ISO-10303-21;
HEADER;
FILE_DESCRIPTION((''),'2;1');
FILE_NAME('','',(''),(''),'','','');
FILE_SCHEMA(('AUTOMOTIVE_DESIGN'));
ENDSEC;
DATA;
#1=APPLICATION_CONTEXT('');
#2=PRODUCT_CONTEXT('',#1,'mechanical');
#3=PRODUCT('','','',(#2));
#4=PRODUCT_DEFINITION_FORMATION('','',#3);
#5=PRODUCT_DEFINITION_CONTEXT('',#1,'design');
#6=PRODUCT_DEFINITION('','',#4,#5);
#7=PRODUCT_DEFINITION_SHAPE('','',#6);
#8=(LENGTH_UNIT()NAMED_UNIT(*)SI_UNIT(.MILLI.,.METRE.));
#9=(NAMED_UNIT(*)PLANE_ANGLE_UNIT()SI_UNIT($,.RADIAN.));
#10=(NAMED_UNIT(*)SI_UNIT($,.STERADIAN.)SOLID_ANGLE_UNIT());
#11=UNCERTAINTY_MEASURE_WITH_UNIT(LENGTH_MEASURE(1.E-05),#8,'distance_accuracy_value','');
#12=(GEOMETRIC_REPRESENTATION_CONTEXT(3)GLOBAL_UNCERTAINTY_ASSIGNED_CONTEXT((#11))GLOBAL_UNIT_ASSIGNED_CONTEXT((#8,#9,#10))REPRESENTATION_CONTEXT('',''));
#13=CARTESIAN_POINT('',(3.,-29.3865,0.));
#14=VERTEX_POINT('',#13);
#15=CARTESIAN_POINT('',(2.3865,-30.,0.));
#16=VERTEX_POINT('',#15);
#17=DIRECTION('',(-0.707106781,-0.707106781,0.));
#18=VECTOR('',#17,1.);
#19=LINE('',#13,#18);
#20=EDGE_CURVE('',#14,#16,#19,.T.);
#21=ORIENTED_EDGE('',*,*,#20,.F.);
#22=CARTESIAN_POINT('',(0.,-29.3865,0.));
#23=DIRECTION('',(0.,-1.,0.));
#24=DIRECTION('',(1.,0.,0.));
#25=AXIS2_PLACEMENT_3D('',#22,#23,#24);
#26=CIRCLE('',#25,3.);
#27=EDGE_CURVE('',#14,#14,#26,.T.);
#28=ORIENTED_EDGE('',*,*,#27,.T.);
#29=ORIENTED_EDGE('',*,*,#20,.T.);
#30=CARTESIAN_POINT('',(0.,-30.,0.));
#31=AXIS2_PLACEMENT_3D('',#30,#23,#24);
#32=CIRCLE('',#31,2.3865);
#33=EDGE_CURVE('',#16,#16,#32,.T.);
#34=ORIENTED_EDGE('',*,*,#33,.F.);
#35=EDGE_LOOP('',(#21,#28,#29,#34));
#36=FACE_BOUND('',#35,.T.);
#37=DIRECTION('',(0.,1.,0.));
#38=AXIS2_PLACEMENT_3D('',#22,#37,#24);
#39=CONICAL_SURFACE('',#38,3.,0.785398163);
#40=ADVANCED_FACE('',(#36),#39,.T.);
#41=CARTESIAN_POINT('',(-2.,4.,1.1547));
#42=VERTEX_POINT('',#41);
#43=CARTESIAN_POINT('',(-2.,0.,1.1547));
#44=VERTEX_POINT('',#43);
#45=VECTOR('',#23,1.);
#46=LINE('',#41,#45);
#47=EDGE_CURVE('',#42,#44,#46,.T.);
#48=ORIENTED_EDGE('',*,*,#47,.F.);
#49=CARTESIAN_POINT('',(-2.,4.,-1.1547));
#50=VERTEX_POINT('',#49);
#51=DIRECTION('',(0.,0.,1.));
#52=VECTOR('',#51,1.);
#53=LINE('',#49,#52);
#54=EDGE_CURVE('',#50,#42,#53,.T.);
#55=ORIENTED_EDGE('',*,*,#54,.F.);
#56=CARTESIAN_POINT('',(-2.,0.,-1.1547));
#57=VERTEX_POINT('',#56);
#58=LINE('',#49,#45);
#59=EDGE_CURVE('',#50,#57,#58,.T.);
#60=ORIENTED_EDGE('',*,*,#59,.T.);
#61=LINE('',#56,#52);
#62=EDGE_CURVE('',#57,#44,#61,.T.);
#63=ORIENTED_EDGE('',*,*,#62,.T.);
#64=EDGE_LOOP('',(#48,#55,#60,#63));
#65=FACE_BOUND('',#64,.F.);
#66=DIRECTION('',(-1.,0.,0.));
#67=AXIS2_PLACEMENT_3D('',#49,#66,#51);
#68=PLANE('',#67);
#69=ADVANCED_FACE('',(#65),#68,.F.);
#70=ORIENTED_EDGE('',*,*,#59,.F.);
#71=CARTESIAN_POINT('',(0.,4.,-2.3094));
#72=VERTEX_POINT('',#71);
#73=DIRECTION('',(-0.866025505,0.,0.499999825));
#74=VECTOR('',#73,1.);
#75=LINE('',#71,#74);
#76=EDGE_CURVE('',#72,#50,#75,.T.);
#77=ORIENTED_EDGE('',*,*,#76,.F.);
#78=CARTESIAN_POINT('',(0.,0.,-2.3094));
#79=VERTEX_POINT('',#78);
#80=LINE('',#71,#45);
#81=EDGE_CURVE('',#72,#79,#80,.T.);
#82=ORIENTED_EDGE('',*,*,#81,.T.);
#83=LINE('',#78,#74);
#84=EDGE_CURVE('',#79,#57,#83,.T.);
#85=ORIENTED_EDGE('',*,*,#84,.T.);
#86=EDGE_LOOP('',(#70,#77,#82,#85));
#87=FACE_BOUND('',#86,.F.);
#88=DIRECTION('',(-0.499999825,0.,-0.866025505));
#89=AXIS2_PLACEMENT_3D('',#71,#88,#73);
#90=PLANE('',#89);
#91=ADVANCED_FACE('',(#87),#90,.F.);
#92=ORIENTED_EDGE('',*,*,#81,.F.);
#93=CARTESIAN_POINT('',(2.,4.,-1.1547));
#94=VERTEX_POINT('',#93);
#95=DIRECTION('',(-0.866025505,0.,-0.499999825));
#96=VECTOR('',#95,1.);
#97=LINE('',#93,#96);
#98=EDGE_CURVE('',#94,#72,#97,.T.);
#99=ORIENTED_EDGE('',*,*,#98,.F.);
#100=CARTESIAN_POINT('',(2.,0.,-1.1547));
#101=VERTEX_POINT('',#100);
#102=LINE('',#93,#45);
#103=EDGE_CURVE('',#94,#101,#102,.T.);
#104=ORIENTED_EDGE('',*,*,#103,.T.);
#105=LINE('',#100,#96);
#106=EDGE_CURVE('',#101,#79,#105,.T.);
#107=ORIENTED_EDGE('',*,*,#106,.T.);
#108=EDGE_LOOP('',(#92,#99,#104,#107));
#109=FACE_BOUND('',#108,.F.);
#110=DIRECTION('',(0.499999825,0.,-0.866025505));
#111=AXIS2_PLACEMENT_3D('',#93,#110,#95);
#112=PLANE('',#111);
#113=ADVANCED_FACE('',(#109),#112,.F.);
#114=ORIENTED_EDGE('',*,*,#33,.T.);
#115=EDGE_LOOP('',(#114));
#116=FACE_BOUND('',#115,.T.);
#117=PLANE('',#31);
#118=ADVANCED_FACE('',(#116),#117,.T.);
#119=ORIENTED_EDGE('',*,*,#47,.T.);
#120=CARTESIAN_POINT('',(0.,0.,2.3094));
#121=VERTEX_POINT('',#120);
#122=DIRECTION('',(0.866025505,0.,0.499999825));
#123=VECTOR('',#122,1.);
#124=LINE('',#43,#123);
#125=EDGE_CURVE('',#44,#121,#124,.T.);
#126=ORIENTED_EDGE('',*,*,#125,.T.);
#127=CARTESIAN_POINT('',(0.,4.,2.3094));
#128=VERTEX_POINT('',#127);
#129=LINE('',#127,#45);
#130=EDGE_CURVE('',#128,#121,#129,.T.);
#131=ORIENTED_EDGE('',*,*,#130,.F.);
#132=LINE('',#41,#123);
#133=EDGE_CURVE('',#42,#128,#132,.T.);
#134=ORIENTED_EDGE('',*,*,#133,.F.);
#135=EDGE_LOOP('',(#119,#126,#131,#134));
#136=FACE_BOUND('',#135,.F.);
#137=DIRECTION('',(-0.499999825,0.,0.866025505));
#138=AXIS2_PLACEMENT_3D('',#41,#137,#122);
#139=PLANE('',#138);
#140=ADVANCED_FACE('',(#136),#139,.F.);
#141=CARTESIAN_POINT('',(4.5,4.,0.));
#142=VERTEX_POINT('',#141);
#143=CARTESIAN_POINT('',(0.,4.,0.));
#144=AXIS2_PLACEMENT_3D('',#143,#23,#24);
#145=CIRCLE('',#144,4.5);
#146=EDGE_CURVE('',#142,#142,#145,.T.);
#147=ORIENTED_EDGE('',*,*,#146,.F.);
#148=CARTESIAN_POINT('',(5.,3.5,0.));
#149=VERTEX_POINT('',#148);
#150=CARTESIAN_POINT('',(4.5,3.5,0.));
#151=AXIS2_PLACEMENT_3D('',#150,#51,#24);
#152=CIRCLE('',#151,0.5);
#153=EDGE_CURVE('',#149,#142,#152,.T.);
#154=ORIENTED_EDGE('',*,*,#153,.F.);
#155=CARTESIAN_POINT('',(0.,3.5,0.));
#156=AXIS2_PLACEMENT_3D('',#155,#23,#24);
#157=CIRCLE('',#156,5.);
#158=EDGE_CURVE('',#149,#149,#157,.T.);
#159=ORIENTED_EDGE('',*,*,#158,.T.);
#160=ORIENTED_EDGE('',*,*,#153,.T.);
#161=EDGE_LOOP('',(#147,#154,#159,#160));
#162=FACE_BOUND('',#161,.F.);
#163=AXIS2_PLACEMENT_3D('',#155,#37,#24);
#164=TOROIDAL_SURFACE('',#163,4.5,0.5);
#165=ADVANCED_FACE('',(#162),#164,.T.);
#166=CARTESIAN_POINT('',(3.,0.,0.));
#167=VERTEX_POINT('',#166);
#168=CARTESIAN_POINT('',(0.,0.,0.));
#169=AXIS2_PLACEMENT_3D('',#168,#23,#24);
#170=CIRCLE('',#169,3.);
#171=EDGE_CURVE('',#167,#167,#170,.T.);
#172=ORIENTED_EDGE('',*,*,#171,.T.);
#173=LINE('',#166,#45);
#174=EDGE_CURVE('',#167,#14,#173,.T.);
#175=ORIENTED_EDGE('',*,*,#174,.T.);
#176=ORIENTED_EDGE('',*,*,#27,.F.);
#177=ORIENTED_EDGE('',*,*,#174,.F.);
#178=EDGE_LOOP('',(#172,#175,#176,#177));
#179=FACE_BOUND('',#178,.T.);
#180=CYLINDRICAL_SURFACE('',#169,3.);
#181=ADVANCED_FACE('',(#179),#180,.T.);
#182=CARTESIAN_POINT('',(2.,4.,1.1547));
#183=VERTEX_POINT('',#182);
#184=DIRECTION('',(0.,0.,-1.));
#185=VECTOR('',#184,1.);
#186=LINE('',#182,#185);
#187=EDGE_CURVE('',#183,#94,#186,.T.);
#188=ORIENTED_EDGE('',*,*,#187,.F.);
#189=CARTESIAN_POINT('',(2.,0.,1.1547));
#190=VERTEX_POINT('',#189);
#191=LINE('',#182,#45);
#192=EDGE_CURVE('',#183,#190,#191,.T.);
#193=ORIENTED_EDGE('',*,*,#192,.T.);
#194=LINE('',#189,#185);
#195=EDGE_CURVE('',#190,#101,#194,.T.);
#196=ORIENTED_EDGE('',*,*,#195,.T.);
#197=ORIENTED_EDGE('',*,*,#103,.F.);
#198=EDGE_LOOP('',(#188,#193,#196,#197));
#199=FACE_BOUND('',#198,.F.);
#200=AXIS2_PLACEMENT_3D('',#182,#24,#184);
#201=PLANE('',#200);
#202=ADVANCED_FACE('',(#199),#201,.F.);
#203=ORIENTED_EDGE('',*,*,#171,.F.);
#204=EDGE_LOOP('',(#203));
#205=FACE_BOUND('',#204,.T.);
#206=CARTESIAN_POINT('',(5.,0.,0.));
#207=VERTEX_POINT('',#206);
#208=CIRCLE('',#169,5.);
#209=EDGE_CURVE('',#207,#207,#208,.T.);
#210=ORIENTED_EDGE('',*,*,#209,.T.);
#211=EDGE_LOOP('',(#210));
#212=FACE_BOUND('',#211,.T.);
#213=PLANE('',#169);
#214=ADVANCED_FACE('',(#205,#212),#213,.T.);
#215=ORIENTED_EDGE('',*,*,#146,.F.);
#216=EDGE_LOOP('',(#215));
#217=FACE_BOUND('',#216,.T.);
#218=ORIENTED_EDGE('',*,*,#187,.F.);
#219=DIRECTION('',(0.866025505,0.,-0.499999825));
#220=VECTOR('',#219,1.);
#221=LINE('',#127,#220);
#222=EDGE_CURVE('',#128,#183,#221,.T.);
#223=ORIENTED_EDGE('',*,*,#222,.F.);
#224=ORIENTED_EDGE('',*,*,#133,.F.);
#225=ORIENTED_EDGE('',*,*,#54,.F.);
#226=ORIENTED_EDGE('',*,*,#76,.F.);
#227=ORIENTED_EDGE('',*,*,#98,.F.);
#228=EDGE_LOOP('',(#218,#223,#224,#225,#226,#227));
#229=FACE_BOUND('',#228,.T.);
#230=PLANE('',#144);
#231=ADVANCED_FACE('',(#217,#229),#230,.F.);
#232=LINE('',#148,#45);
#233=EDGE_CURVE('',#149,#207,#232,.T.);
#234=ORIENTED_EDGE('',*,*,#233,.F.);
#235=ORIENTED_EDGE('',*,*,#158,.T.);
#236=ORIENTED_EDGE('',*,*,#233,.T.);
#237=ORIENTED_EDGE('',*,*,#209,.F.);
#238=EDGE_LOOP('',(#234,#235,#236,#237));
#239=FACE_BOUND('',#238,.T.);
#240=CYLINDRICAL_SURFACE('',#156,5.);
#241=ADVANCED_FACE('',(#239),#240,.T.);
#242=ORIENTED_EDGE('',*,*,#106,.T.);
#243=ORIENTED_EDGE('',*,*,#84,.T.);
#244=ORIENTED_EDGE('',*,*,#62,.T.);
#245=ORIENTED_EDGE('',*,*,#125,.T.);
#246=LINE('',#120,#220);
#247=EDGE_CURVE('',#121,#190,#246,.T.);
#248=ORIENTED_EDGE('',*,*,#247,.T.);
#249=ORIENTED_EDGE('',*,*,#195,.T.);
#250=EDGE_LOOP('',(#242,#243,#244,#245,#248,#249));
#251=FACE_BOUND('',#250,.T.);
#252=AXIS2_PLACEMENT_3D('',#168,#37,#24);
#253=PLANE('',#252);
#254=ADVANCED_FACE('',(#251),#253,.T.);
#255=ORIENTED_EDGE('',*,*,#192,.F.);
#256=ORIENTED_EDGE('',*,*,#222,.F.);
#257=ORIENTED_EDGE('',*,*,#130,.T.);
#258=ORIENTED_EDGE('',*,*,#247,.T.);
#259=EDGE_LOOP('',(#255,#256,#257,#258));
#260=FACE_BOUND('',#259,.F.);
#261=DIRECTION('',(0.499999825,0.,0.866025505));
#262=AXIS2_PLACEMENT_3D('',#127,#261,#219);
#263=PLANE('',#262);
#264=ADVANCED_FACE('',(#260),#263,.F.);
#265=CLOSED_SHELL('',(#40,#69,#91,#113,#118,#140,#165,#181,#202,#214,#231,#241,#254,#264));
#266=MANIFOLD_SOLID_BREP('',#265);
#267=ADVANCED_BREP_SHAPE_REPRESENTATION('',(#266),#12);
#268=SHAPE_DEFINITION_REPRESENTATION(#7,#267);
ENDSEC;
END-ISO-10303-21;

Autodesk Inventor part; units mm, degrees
ref_plane "Deaktiviert_NICHT_mehrverwenden_Zyl__Schraube_DIN_EN_ISO_4762_XY" through (0, 0, 0) normal (0, 1, 0) x (1, 0, 0)
ref_plane "Deaktiviert_NICHT_mehrverwenden_Zyl__Schraube_DIN_EN_ISO_4762_YZ" through (0, 0, 0) normal (1, 0, 0) x (0, 0, -1)
ref_plane "Deaktiviert_NICHT_mehrverwenden_Zyl__Schraube_DIN_EN_ISO_4762_ZX" through (0, 0, 0) normal (0, 0, -1) x (0, 1, 0)
sketch "Skizze_1" plane through (0, 0, 0) normal (0, 0, 1) x (1, 0, 0)
  line L0 (0, -30) -> (0, 0)
  line L1 (0, 0) -> (3, 0)
  line L2 (3, 0) -> (3, -29.3865)
  line L3 (3, -29.3865) -> (2.3865, -30)
  line L4 (2.3865, -30) -> (0, -30)
  line L5 (0, -30) -> (0, 0)
revolve "Revolution1" add sketch "Skizze_1" angle 360 about axis through (0, -30, 0) along (0, -1, 0)
thread "Thread1" size "M6x1" class "6g" standard "ISO Metric profile" length 19.3865
sketch "Skizze_2" plane through (0, 0, 0) normal (0, 0, 1) x (1, 0, 0)
  line L0 (0, 0) -> (0, 4)
  line L1 (0, 4) -> (4.5, 4)
  arc A0 (5, 3.5) -> (4.5, 4) centre (4.5, 3.5) ccw
  line L2 (5, 3.5) -> (5, 0)
  line L3 (5, 0) -> (0, 0)
  line L4 (0, 0) -> (0, 4)
revolve "Revolution2" add sketch "Skizze_2" angle 360 about axis through (0, 0, 0) along (0, -1, 0)
sketch "Skizze_3" plane through (0, 4, 0) normal (0, 1, 0) x (1, 0, 0)
  line L0 (-2, -1.1547) -> (0, -2.3094)
  line L1 (0, -2.3094) -> (2, -1.1547)
  line L2 (2, -1.1547) -> (2, 1.1547)
  line L3 (2, 1.1547) -> (0, 2.3094)
  line L4 (0, 2.3094) -> (-2, 1.1547)
  line L5 (-2, 1.1547) -> (-2, -1.1547)
extrude "Extrusion1" cut sketch "Skizze_3" against normal blind 4
ref_plane "EP_XY" through (0, 0, 0) normal (0, 1, 0) x (1, 0, 0)
ref_plane "EP_YZ" through (0, 0, 0) normal (1, 0, 0) x (0, 0, -1)
ref_plane "EP_ZX" through (0, 0, 0) normal (0, 0, -1) x (0, 1, 0)
ref_plane "EP_Schraube_XY" through (0, 0, 0) normal (0, 1, 0) x (1, 0, 0)
ref_plane "EP_Schraube_YZ" through (0, 0, 0) normal (1, 0, 0) x (0, 0, -1)
ref_plane "EP_Schraube_ZX" through (0, 0, 0) normal (0, 0, -1) x (0, 1, 0)
properties part number "Zyl.Schr-M6x30_Stahl_X094085"
